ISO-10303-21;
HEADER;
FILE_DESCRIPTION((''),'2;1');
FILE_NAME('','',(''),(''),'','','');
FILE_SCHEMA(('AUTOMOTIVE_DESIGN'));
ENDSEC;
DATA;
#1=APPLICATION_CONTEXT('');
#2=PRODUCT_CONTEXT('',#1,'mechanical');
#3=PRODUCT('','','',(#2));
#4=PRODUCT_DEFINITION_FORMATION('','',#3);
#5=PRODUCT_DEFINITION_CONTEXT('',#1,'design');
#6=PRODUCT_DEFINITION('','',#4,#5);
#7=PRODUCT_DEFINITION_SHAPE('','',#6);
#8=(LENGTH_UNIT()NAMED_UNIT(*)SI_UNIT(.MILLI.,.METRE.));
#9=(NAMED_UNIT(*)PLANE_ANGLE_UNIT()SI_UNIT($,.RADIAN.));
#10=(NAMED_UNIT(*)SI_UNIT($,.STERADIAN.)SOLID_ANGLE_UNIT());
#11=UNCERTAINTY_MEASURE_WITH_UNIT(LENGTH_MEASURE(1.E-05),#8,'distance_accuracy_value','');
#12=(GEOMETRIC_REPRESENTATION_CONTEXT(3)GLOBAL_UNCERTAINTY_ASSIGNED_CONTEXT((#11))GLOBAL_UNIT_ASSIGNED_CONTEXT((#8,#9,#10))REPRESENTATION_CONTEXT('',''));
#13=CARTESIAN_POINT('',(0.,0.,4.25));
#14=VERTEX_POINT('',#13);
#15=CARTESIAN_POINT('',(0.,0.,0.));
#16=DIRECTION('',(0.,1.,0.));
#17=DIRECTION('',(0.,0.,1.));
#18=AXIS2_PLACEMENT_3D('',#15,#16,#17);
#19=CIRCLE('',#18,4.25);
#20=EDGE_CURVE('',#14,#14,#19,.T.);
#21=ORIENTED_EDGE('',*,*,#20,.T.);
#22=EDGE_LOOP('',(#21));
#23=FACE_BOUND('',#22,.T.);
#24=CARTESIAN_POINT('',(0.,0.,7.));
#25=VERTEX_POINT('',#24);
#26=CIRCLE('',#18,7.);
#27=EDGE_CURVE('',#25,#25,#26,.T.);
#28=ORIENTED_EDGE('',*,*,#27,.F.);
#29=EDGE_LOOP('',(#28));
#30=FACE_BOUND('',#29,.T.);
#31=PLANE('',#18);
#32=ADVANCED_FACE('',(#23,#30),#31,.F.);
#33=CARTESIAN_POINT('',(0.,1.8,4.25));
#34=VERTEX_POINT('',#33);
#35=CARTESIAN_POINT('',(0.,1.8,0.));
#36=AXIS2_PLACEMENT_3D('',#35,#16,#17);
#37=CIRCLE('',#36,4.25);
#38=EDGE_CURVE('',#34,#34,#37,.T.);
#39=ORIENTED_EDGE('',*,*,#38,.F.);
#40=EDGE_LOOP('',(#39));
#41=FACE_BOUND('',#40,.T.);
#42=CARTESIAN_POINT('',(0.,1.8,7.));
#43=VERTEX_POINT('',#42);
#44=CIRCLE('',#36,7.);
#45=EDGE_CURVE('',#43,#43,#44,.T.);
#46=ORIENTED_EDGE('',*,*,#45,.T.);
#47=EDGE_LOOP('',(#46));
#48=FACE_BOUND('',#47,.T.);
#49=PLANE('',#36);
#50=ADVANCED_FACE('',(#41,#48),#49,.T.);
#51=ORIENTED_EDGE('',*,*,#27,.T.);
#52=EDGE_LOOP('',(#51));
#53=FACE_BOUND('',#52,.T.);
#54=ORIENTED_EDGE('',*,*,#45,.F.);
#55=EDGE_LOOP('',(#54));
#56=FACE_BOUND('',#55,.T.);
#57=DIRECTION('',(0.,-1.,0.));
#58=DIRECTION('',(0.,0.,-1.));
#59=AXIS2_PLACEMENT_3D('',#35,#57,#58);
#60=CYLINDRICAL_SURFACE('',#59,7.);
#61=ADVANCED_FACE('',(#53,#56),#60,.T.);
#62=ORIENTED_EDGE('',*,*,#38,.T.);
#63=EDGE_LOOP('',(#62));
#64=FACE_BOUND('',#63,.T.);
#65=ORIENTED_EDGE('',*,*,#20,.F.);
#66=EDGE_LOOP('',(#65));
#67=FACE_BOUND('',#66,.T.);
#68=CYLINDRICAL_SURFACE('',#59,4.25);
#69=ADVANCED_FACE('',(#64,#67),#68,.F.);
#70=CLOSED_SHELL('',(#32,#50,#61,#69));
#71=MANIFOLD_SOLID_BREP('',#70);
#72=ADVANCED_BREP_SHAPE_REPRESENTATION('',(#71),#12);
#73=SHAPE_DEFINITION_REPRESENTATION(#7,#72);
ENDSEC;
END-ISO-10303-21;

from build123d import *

# Parameters (mm, degrees)
SKETCH1_R           = 7
SKETCH1_R_2         = 4.25
BOSS_EXTRUDE1_DEPTH = 1.8


with BuildPart() as part:
    # Sketch1 → Boss-Extrude1 (new body)
    with BuildSketch(Plane(origin=(0, 0, 0), x_dir=(1, 0, 0), z_dir=(0, 1, 0))):
        Circle(SKETCH1_R)
        Circle(SKETCH1_R_2, mode=Mode.SUBTRACT)
    extrude(amount=BOSS_EXTRUDE1_DEPTH)


solid = part.part
